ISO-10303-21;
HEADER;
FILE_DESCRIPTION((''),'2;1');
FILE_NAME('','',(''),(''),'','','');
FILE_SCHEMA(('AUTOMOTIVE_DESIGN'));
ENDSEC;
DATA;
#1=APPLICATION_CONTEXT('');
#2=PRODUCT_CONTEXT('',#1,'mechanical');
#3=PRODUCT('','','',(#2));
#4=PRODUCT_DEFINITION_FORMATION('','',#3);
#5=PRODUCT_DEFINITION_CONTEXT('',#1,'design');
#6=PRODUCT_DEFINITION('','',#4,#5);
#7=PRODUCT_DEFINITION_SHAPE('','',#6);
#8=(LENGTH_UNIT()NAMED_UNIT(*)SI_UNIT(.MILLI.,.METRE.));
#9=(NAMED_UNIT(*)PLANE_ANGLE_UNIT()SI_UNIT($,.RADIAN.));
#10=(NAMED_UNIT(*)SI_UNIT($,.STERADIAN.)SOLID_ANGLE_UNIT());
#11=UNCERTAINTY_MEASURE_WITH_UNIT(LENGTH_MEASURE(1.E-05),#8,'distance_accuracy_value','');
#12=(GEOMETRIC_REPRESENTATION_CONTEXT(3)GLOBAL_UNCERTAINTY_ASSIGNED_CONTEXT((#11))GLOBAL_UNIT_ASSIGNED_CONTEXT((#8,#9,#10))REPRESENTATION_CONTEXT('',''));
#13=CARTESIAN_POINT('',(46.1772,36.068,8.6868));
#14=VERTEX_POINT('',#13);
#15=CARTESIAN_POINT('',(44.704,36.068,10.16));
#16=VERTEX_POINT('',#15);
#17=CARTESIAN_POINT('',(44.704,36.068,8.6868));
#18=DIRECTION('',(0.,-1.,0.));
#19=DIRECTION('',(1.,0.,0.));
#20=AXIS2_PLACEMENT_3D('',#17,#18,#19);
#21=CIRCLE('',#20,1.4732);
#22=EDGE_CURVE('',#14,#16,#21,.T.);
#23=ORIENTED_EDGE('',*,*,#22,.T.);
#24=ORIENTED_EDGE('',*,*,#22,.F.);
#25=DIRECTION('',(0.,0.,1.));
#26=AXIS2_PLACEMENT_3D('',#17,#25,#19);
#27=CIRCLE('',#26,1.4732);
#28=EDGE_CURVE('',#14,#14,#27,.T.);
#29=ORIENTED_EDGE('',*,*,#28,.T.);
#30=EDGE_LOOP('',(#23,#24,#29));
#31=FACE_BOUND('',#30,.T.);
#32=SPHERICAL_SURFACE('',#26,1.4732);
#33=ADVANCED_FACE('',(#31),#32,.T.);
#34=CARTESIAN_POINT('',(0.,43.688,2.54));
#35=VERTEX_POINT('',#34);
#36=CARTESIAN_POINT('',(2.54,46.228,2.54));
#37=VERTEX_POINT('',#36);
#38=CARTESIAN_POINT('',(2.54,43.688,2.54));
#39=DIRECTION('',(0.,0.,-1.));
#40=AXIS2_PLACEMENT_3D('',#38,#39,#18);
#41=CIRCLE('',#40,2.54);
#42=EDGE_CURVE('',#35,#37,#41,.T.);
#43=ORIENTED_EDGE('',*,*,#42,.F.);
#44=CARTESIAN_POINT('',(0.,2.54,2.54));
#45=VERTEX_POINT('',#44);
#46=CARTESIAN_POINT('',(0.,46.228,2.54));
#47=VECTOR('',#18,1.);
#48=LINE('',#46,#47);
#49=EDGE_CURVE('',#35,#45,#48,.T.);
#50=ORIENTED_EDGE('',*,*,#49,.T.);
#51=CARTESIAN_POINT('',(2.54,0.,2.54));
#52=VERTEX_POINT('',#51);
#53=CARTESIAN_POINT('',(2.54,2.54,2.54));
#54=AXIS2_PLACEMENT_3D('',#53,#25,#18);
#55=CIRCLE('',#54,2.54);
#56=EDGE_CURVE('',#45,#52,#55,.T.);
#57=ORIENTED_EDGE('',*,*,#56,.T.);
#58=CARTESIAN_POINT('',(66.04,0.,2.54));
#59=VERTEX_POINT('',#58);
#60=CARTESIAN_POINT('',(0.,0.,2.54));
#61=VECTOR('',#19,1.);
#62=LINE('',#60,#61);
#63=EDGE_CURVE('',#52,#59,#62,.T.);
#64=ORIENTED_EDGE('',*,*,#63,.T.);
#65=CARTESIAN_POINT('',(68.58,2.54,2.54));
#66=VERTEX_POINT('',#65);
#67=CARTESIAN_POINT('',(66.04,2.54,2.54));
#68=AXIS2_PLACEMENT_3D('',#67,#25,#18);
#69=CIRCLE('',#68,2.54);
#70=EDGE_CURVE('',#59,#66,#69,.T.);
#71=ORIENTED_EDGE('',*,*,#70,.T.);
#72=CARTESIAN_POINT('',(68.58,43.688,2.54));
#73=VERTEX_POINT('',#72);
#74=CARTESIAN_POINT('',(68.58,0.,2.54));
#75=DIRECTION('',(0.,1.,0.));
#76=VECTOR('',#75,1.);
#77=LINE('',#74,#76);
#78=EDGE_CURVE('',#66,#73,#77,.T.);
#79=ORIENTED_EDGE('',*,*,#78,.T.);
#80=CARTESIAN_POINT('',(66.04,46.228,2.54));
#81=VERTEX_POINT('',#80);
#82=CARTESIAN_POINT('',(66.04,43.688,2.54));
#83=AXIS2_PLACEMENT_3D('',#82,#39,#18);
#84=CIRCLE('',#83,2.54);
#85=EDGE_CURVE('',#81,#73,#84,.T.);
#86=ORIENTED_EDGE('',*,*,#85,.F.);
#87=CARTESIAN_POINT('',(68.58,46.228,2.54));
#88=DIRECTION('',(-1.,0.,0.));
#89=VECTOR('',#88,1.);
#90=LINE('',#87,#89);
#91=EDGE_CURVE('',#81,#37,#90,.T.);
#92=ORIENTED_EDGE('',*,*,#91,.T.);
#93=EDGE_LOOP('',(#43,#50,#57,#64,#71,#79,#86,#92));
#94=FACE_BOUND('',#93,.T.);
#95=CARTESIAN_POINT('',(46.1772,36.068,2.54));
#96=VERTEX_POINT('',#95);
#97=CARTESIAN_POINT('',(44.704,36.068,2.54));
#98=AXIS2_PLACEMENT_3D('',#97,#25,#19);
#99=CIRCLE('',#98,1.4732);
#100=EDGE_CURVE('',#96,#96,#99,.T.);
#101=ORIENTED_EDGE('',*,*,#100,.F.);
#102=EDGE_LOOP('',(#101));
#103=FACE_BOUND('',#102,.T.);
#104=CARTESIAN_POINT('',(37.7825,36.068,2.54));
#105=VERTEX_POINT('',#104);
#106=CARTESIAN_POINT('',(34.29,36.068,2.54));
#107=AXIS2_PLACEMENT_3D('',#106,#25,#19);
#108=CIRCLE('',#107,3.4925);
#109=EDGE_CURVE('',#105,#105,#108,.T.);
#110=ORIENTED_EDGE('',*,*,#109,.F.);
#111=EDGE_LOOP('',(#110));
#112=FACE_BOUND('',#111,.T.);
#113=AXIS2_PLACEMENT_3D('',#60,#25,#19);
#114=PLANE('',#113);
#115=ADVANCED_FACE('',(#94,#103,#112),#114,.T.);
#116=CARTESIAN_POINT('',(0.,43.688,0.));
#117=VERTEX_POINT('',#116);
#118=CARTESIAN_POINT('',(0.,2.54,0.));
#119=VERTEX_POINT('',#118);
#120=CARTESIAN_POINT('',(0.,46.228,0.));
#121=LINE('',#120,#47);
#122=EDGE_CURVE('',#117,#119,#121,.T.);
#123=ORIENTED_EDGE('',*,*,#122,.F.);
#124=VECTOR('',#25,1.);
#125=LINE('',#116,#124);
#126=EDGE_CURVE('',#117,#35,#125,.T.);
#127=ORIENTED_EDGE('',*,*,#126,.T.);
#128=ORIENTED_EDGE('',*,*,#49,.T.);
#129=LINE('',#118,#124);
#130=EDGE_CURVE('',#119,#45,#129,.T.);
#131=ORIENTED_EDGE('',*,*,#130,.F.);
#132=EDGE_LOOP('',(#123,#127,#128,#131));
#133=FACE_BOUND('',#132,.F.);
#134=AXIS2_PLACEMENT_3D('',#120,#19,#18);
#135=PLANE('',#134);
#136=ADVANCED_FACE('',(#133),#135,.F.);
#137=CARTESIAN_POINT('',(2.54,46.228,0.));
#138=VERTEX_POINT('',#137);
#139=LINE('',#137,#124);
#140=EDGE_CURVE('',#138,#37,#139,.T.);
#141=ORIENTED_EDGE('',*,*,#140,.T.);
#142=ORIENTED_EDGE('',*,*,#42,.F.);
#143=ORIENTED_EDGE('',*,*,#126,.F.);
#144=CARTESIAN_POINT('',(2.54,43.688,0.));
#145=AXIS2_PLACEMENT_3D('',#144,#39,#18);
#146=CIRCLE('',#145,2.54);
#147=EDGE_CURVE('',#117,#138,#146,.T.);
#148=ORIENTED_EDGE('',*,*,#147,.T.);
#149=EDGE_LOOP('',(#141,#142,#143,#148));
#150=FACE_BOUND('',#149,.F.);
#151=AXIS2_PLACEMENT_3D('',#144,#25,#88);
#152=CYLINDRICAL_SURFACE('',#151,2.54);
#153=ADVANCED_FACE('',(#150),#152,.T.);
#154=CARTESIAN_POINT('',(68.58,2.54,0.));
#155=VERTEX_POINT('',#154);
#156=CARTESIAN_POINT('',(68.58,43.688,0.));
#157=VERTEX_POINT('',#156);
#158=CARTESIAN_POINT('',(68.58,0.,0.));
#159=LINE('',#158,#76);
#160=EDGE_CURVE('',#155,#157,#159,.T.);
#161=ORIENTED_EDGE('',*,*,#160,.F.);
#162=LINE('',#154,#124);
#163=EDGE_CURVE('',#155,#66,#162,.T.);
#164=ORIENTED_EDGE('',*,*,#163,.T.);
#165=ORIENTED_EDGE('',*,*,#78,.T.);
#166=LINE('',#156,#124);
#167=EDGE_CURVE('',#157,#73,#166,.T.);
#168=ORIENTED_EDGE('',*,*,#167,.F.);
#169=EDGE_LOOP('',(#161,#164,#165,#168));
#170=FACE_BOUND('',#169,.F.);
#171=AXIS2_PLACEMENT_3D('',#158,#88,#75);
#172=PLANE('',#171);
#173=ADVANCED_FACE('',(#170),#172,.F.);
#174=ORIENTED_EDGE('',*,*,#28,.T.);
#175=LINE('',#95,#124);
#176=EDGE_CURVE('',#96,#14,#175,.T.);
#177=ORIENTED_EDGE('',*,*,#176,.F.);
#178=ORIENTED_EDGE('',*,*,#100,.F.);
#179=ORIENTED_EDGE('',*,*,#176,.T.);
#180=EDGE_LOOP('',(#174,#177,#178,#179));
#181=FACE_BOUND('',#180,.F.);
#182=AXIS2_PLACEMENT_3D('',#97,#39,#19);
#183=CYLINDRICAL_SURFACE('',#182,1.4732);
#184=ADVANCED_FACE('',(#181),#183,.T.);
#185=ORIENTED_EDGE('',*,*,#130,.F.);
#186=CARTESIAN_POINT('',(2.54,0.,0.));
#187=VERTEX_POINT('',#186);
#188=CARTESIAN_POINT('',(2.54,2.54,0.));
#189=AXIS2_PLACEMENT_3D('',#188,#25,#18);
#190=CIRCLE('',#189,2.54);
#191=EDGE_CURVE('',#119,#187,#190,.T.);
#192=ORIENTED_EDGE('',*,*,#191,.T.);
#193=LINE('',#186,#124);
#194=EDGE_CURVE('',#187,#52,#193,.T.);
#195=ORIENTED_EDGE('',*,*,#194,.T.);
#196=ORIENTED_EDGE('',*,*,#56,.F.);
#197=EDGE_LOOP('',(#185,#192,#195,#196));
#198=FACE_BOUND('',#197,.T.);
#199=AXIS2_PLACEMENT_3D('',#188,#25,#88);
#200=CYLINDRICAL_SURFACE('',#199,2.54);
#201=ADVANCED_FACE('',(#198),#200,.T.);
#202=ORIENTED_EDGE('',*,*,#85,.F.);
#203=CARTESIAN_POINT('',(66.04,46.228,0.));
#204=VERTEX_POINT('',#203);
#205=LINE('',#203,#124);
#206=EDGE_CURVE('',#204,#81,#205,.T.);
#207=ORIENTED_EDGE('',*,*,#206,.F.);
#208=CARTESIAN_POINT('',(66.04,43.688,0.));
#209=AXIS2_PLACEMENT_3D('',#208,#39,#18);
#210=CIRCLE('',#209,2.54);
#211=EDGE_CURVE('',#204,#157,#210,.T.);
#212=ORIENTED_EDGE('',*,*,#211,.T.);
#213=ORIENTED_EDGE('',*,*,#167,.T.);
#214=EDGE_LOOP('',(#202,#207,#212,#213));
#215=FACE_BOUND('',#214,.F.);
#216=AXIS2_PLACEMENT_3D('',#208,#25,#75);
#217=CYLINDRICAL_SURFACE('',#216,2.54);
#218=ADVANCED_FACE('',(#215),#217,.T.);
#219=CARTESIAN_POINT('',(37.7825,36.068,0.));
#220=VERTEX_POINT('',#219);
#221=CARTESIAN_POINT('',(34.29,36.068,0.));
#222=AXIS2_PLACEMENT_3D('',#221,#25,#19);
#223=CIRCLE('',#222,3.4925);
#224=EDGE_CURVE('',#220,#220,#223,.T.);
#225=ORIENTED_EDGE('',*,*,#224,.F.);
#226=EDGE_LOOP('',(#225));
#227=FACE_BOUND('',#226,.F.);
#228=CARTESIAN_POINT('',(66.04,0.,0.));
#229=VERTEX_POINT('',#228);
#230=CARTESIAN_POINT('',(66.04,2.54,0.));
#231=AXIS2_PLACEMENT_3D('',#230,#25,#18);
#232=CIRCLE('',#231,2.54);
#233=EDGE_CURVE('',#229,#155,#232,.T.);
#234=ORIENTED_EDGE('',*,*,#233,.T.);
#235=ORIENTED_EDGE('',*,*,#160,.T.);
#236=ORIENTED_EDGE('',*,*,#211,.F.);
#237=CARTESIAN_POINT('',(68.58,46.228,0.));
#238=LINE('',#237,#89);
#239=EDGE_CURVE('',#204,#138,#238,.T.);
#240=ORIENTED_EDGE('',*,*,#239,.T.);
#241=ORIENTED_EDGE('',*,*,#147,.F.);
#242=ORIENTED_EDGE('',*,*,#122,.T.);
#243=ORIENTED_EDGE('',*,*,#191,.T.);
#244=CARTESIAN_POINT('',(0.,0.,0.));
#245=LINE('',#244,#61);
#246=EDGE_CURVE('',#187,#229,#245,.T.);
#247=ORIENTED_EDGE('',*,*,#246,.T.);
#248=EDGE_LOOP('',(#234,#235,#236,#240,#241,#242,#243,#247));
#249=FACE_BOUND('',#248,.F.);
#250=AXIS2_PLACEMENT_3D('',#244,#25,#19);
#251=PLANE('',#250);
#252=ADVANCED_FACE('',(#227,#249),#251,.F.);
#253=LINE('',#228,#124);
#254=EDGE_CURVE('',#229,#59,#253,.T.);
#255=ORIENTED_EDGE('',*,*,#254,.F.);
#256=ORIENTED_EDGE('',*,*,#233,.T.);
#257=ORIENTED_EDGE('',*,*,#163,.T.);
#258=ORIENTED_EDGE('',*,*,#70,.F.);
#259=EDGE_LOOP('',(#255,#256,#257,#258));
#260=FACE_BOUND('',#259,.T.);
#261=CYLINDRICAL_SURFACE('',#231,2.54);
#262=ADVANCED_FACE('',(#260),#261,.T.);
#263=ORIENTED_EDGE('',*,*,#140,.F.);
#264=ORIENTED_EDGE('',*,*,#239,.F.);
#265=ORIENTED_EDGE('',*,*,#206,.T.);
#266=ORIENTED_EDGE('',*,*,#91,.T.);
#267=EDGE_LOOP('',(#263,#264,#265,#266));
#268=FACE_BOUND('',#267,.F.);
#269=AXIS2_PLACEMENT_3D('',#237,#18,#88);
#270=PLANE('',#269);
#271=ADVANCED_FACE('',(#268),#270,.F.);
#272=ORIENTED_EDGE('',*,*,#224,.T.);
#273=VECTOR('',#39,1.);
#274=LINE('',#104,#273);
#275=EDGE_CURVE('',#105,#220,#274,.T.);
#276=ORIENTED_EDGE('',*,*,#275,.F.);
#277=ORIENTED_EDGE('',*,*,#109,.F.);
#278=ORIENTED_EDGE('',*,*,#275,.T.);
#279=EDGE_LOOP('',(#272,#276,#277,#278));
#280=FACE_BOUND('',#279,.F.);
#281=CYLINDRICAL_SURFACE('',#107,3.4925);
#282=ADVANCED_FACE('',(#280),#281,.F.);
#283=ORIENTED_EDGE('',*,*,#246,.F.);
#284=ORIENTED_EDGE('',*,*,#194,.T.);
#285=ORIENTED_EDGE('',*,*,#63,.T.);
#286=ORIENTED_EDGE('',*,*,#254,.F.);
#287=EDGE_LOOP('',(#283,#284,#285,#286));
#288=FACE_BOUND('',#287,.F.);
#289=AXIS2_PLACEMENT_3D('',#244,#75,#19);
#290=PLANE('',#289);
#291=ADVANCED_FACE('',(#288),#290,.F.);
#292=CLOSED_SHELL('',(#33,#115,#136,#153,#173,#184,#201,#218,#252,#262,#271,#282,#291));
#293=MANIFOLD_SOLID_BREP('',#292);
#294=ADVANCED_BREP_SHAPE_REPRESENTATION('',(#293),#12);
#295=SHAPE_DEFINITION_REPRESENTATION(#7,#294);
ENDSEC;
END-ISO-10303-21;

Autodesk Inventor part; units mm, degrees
ref_plane "YZ Plane" through (0, 0, 0) normal (1, 0, 0) x (0, 1, 0)
ref_plane "XZ Plane" through (0, 0, 0) normal (0, 1, 0) x (-1, 0, 0)
ref_plane "XY Plane" through (0, 0, 0) normal (0, 0, 1) x (1, 0, 0)
sketch "Sketch1" plane through (0, 0, 0) normal (0, 0, 1) x (1, 0, 0)
  line L0 (0, 0) -> (68.58, 0)
  line L1 (68.58, 0) -> (68.58, 46.228)
  line L2 (68.58, 46.228) -> (0, 46.228)
  line L3 (0, 46.228) -> (0, 0)
  dimension "d0" = 68.58
  dimension "d1" = 46.228
extrude "Extrusion1" add sketch "Sketch1" along normal blind 2.54
sketch "Sketch2" plane through (0, 0, 2.54) normal (0, 0, 1) x (1, 0, 0)
  line L0 (0, 46.228) -> (0, 0) projected
  line L1 (0, 46.228) -> (68.58, 46.228)
  line L2 (68.58, 46.228) -> (68.58, 0)
  line L3 (68.58, 0) -> (0, 0)
  line L4 (0, 0) -> (0, 46.228)
  line L5 (6.35, 43.688) -> (59.69, 43.688)
  line L6 (59.69, 43.688) -> (59.69, 28.448)
  line L7 (59.69, 28.448) -> (6.35, 28.448)
  line L8 (6.35, 28.448) -> (6.35, 43.688)
  line L9 (3.048, 28.448) -> (65.532, 28.448)
  line L10 (65.532, 28.448) -> (65.532, 3.048)
  line L11 (65.532, 3.048) -> (3.048, 3.048)
  line L12 (3.048, 3.048) -> (3.048, 28.448)
  dimension "d4" = 62.484
  dimension "d5" = 53.34
  dimension "d6" = 15.24
  dimension "d7" = 25.4
  dimension "d8" = 3.048
  dimension "d9" = 3.048
  dimension "d10" = 0
  dimension "d13" = 6.35
extrude "Extrusion2" [suppressed]
chamfer "Chamfer1" [suppressed]
chamfer "Chamfer2" [suppressed]
sketch "Sketch3" plane through (0, 0, 2.54) normal (0, 0, 1) x (1, 0, 0)
  circle A0 centre (34.29, 36.068) radius 3.4925
  line L0 (0, 0) -> (68.58, 0) projected
  line L1 (0, 46.228) -> (0, 0) projected
  line L2 (68.58, 46.228) -> (0, 46.228) projected
  line L3 (68.58, 0) -> (68.58, 46.228) projected
  dimension "d22" = 10.16
  dimension "d23" = 34.29
  dimension "d24" = 6.985
extrude "Extrusion3" cut sketch "Sketch3" against normal up to surface (2.54 mm away) contours A0
sketch "Sketch4" plane through (0, 0, 2.54) normal (0, 0, 1) x (1, 0, 0)
  line L0 (59.69, 28.448) -> (59.69, 43.688) projected
  line L1 (59.69, 43.688) -> (6.35, 43.688) projected
  circle A0 centre (44.704, 36.068) radius 1.4732
  point P0 (0, 0)
  dimension "d27" = 2.9464
  dimension "d28" = 7.62
  dimension "d29" = 14.986
extrude "Extrusion4" add sketch "Sketch4" along normal blind 7.62
fillet "Fillet1" radius 1.4732 1 edges at (43.2308, 36.068, 10.16)
fillet "Fillet2" radius 2.54 4 edges at (0, 46.228, 1.27) (68.58, 46.228, 1.27) (68.58, 0, 1.27) (0, 0, 1.27)
sketch "Sketch5" plane through (0, 0, 2.54) normal (0, 0, 1) x (1, 0, 0)
  circle A0 centre (34.29, 36.068) radius 3.4925 projected
  line L0 (26.67, 43.688) -> (41.91, 43.688)
  line L1 (41.91, 43.688) -> (41.91, 24.638)
  line L2 (41.91, 24.638) -> (26.67, 24.638)
  line L3 (26.67, 24.638) -> (26.67, 43.688)
  point P0 (0, 0)
  dimension "d34" = 19.05
  dimension "d35" = 15.24
  dimension "d36" = 7.62
  dimension "d37" = 7.62
extrude "Extrusion5" [suppressed]
hole "Hole1" [suppressed]
equation "\"d9\" = d8"
properties part number "Front_Plate"
